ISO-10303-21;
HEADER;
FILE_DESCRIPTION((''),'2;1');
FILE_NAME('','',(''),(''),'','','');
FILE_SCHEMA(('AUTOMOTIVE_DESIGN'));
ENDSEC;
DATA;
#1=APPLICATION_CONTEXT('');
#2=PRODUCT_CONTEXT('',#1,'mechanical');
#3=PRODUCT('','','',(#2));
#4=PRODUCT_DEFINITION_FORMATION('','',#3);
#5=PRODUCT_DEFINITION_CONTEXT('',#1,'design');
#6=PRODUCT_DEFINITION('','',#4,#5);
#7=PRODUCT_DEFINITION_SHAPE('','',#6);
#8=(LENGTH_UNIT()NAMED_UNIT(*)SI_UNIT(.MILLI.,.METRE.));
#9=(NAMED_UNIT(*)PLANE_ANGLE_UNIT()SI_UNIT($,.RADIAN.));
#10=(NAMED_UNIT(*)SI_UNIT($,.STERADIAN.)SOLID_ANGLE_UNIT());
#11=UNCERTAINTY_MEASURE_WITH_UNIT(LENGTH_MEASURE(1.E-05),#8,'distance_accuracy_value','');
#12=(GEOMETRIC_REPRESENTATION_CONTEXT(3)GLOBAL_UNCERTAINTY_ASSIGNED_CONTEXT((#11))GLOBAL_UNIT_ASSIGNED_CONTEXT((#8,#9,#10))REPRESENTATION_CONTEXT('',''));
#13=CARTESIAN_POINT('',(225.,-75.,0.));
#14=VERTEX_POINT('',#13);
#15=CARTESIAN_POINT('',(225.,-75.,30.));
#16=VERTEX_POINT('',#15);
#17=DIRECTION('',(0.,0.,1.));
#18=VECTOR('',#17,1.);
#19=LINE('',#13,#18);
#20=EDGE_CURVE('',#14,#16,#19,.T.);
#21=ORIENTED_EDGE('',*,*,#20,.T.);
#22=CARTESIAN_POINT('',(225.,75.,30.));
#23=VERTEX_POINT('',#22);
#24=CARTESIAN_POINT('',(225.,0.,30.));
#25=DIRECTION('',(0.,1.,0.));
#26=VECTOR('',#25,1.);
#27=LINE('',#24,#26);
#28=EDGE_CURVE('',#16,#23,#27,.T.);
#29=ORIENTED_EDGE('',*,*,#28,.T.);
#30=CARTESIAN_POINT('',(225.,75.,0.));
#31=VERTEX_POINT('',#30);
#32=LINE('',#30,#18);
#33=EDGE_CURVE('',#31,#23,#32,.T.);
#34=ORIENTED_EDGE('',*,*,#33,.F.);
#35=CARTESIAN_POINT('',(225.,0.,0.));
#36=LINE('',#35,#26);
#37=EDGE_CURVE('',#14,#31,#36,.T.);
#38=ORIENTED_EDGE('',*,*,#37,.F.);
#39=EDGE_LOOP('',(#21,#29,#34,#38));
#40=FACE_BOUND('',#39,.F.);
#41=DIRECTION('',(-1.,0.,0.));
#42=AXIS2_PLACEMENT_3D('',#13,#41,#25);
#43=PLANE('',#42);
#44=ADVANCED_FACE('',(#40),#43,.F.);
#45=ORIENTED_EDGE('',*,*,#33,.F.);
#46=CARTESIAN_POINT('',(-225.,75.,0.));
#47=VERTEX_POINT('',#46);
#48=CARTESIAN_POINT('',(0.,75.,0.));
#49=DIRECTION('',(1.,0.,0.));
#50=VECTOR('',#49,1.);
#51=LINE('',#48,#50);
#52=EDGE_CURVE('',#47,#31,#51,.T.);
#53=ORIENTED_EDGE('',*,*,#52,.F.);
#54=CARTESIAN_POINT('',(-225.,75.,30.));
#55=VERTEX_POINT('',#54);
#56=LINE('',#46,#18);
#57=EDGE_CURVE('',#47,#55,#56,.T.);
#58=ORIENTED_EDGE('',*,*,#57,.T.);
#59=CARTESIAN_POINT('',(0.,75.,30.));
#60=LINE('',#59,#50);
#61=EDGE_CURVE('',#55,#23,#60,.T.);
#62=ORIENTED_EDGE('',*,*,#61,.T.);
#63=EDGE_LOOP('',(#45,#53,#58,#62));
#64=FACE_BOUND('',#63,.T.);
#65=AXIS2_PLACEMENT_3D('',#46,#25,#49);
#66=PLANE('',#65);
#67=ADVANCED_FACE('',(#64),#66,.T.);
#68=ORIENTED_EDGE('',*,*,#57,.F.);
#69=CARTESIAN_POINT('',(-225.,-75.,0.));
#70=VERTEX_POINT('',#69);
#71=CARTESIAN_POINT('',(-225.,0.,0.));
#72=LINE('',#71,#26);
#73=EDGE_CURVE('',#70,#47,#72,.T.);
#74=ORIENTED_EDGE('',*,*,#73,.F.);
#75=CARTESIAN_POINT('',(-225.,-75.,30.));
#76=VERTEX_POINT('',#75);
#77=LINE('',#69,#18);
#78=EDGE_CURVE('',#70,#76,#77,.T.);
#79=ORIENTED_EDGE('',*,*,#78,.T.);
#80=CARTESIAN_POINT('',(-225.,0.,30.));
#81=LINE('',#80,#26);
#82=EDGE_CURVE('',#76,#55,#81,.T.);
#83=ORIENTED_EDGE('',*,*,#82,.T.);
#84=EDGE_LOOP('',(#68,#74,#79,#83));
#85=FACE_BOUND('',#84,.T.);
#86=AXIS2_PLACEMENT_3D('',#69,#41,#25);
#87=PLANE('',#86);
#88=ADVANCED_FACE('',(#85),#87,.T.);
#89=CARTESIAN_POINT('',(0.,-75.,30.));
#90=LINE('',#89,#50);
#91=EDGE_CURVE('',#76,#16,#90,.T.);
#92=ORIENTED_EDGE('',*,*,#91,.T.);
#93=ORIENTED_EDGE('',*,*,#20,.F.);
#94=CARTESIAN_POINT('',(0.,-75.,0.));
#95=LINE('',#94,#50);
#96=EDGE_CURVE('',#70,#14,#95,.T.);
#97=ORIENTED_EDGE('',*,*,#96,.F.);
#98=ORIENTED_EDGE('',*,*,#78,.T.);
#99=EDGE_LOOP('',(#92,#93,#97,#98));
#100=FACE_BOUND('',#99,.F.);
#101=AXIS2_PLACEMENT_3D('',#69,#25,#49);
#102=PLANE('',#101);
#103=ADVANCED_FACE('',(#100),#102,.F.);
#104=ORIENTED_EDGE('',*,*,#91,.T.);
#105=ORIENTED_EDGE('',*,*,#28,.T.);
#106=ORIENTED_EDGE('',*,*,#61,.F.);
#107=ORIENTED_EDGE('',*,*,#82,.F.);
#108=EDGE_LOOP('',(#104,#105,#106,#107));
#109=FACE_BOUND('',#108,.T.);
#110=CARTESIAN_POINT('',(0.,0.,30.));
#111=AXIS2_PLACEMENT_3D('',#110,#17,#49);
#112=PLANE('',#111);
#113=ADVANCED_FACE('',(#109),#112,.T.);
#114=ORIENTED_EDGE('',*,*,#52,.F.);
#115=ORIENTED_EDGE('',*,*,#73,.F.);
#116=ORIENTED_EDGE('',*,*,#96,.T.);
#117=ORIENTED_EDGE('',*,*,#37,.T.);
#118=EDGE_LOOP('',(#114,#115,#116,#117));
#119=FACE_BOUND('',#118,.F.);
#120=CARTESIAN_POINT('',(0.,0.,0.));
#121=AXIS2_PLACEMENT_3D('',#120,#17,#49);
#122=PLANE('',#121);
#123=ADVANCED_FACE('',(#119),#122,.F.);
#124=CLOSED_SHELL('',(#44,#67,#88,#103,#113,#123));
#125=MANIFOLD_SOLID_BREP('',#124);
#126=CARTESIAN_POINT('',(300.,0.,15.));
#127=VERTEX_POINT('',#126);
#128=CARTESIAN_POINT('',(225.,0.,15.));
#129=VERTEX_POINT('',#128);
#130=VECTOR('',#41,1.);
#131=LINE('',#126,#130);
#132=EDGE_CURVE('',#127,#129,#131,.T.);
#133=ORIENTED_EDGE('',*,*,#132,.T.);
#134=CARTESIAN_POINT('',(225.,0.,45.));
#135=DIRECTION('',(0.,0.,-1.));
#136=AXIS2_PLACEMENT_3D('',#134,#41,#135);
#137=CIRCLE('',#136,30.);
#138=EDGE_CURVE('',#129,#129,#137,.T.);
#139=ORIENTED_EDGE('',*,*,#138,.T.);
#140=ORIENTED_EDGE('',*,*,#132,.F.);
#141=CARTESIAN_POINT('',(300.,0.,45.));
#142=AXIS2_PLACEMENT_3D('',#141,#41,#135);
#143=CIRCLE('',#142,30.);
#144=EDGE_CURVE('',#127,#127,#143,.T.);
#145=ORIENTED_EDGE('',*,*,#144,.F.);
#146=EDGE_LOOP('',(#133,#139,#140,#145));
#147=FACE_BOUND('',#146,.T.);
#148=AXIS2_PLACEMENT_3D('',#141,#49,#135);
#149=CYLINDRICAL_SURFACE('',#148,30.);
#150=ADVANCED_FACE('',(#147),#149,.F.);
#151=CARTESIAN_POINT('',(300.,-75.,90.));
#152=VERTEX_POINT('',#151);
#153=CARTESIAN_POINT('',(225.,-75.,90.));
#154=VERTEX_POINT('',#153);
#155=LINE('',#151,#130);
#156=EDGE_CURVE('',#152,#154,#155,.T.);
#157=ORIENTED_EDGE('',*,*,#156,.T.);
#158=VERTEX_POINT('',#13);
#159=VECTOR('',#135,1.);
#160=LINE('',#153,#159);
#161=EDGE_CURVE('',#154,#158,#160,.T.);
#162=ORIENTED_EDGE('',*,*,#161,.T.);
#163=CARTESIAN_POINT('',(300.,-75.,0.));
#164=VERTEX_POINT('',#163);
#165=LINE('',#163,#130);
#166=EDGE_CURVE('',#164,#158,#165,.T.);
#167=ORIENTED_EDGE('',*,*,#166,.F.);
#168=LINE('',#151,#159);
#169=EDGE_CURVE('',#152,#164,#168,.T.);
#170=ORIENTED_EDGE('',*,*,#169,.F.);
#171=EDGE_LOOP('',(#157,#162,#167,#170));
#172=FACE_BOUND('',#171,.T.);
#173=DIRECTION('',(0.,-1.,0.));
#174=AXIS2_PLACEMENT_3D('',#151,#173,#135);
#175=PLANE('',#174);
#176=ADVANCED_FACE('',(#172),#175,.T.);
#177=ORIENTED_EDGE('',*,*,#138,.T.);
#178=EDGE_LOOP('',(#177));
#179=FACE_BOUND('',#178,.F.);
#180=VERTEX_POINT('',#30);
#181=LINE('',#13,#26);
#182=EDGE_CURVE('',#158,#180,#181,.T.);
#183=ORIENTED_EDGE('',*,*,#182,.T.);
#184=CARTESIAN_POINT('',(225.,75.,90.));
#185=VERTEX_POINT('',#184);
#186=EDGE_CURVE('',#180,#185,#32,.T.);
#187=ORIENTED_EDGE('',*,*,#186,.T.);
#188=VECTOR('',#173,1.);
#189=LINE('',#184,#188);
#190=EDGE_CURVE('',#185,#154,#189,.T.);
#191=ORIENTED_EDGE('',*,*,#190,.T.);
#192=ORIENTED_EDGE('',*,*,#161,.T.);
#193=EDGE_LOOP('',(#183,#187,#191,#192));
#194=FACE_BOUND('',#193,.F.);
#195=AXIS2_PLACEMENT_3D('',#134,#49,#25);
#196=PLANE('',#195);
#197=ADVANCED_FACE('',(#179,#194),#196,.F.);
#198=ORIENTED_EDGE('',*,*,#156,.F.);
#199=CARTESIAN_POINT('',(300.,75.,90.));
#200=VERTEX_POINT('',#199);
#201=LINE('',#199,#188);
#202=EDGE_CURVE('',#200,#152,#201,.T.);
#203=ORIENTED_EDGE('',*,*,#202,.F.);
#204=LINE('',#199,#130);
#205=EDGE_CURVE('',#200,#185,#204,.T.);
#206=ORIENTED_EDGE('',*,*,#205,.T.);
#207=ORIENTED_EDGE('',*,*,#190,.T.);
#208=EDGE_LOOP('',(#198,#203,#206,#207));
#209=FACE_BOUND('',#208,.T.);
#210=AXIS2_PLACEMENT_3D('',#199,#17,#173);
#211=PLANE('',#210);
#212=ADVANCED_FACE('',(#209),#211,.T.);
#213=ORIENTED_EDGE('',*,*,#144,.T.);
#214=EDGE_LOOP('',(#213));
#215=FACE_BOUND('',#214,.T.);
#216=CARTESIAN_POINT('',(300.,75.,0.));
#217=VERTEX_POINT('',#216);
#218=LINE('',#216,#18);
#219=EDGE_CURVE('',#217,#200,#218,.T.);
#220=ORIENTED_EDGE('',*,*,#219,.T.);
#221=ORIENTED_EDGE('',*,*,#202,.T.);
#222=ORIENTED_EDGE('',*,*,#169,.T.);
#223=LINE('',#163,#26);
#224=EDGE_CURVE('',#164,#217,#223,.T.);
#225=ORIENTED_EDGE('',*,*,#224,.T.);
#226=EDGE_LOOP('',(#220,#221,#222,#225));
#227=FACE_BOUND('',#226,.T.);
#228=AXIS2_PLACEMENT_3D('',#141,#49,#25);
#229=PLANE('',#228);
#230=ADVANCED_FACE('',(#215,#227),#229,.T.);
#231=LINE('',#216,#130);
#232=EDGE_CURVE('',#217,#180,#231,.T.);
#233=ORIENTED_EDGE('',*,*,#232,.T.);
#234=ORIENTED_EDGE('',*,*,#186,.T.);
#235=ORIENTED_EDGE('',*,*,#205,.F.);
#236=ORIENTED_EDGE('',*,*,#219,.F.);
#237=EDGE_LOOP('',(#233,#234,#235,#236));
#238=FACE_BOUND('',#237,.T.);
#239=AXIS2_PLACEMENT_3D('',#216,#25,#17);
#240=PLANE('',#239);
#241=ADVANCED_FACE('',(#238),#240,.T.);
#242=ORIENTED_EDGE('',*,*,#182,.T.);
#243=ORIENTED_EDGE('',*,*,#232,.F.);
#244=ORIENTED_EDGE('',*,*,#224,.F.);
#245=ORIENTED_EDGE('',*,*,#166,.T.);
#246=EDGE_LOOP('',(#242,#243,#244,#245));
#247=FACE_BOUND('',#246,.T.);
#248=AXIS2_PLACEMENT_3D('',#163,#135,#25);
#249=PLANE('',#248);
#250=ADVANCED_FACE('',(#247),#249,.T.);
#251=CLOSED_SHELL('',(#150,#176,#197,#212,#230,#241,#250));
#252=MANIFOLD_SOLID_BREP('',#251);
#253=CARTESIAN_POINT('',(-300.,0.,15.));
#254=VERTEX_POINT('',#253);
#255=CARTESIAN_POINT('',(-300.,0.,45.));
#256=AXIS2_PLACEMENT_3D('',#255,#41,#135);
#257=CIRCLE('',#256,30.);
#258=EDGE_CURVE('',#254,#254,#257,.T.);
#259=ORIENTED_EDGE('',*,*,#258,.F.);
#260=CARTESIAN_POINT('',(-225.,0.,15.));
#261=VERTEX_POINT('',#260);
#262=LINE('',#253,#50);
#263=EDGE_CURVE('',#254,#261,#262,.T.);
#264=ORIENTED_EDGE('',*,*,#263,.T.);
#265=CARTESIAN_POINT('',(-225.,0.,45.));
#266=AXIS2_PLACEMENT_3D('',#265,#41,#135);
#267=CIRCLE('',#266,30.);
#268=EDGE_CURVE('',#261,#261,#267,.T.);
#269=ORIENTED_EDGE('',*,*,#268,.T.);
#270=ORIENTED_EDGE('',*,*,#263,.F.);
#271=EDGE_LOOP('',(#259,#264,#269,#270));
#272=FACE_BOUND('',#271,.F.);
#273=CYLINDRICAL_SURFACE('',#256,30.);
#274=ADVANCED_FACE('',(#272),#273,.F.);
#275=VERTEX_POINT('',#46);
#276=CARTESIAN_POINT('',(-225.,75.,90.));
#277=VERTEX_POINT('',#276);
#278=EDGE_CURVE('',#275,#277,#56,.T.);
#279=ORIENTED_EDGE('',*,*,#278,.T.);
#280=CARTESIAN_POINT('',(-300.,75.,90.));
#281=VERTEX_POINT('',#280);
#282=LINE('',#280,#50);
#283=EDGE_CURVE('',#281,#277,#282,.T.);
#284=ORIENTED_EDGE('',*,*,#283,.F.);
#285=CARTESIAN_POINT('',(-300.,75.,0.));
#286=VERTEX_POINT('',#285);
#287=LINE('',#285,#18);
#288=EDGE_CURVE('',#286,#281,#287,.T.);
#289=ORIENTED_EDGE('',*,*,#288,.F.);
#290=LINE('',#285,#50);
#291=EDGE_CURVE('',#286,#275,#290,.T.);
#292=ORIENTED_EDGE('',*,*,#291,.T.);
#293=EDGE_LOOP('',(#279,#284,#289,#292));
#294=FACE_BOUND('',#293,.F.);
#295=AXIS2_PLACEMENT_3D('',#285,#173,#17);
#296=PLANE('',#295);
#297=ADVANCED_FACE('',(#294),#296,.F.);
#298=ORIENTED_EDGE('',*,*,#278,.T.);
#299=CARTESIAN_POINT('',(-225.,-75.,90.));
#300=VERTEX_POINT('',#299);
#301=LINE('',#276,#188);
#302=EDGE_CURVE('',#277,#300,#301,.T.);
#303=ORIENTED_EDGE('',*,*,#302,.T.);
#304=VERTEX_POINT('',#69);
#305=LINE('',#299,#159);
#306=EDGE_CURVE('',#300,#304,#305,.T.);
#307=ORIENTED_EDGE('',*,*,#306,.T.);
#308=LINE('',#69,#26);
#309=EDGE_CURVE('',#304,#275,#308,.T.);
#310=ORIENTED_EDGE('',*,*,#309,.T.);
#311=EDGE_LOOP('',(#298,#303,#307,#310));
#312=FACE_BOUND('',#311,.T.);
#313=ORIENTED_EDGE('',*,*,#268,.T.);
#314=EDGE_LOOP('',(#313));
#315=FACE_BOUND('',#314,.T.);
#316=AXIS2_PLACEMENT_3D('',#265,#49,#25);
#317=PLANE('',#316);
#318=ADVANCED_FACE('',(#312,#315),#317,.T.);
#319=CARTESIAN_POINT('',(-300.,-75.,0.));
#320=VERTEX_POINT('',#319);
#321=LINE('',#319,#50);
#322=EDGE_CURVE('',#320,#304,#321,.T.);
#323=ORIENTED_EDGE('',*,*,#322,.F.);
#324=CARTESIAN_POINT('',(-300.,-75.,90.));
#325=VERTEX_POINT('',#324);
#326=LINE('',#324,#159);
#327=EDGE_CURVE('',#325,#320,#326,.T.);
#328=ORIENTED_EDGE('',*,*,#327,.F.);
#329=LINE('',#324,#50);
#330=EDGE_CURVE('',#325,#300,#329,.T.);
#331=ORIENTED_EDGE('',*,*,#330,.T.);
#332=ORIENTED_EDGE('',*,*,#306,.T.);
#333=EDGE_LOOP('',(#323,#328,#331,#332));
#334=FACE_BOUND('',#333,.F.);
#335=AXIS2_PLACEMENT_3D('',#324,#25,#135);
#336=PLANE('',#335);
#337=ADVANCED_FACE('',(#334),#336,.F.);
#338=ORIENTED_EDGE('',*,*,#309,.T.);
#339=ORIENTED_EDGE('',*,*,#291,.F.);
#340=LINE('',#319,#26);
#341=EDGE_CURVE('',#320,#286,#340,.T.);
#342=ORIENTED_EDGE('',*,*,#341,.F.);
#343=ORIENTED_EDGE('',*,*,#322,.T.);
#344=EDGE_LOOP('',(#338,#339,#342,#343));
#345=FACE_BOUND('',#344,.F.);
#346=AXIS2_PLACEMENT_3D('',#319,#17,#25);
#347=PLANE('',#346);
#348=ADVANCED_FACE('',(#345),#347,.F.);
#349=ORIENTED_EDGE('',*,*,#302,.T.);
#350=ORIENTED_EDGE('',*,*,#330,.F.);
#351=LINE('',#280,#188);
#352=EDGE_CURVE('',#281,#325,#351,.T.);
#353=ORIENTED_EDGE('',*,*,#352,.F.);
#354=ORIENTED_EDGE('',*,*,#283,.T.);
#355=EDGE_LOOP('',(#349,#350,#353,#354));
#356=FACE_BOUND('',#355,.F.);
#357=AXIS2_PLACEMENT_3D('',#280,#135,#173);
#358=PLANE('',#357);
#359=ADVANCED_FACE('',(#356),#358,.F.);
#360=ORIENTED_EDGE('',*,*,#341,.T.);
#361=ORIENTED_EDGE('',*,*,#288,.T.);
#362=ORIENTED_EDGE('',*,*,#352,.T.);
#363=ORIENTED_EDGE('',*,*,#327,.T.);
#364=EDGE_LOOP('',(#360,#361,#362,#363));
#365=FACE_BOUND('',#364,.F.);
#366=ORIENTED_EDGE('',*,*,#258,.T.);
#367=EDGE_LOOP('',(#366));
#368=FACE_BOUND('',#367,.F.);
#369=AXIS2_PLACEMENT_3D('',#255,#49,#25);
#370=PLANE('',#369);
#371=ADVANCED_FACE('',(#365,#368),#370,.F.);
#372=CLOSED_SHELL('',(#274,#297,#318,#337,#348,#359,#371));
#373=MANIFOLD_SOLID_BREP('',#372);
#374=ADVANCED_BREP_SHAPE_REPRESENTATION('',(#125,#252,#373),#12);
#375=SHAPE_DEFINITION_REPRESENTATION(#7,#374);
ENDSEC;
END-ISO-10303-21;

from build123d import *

# Parameters (mm, degrees)
F4_DEPTH = 75
F7_DEPTH = 75
F0_W     = 450
F0_H     = 150
F8_DEPTH = 30


with BuildPart() as f4:
    # F3 (on offset) → F4 (new body)
    with BuildSketch(Plane.YZ.offset(300)):
        Polygon((-75, 0), (0, 0), (75, 0), (75, 90), (-75, 90), align=None)
        with BuildLine():
            ThreePointArc((30, 45), (21.2132034356, 23.7867965644), (0, 15))
            ThreePointArc((0, 15), (-21.2132034356, 66.2132034356), (30, 45))
        make_face(mode=Mode.SUBTRACT)
    extrude(amount=-F4_DEPTH)


with BuildPart() as f7:
    # F6 (on offset) → F7 (new body)
    with BuildSketch(Plane.YZ.offset(-300)):
        Polygon((-75, 0), (0, 0), (75, 0), (75, 90), (-75, 90), align=None)
        with BuildLine():
            ThreePointArc((30, 45), (21.2132034356, 23.7867965644), (0, 15))
            ThreePointArc((0, 15), (-21.2132034356, 66.2132034356), (30, 45))
        make_face(mode=Mode.SUBTRACT)
    extrude(amount=F7_DEPTH)


with BuildPart() as f8:
    # F0 (on Top) → F8 (new body)
    with BuildSketch(Plane.XY):
        Rectangle(F0_W, F0_H)
    extrude(amount=F8_DEPTH)


solid = Compound([f4.part, f7.part, f8.part])
